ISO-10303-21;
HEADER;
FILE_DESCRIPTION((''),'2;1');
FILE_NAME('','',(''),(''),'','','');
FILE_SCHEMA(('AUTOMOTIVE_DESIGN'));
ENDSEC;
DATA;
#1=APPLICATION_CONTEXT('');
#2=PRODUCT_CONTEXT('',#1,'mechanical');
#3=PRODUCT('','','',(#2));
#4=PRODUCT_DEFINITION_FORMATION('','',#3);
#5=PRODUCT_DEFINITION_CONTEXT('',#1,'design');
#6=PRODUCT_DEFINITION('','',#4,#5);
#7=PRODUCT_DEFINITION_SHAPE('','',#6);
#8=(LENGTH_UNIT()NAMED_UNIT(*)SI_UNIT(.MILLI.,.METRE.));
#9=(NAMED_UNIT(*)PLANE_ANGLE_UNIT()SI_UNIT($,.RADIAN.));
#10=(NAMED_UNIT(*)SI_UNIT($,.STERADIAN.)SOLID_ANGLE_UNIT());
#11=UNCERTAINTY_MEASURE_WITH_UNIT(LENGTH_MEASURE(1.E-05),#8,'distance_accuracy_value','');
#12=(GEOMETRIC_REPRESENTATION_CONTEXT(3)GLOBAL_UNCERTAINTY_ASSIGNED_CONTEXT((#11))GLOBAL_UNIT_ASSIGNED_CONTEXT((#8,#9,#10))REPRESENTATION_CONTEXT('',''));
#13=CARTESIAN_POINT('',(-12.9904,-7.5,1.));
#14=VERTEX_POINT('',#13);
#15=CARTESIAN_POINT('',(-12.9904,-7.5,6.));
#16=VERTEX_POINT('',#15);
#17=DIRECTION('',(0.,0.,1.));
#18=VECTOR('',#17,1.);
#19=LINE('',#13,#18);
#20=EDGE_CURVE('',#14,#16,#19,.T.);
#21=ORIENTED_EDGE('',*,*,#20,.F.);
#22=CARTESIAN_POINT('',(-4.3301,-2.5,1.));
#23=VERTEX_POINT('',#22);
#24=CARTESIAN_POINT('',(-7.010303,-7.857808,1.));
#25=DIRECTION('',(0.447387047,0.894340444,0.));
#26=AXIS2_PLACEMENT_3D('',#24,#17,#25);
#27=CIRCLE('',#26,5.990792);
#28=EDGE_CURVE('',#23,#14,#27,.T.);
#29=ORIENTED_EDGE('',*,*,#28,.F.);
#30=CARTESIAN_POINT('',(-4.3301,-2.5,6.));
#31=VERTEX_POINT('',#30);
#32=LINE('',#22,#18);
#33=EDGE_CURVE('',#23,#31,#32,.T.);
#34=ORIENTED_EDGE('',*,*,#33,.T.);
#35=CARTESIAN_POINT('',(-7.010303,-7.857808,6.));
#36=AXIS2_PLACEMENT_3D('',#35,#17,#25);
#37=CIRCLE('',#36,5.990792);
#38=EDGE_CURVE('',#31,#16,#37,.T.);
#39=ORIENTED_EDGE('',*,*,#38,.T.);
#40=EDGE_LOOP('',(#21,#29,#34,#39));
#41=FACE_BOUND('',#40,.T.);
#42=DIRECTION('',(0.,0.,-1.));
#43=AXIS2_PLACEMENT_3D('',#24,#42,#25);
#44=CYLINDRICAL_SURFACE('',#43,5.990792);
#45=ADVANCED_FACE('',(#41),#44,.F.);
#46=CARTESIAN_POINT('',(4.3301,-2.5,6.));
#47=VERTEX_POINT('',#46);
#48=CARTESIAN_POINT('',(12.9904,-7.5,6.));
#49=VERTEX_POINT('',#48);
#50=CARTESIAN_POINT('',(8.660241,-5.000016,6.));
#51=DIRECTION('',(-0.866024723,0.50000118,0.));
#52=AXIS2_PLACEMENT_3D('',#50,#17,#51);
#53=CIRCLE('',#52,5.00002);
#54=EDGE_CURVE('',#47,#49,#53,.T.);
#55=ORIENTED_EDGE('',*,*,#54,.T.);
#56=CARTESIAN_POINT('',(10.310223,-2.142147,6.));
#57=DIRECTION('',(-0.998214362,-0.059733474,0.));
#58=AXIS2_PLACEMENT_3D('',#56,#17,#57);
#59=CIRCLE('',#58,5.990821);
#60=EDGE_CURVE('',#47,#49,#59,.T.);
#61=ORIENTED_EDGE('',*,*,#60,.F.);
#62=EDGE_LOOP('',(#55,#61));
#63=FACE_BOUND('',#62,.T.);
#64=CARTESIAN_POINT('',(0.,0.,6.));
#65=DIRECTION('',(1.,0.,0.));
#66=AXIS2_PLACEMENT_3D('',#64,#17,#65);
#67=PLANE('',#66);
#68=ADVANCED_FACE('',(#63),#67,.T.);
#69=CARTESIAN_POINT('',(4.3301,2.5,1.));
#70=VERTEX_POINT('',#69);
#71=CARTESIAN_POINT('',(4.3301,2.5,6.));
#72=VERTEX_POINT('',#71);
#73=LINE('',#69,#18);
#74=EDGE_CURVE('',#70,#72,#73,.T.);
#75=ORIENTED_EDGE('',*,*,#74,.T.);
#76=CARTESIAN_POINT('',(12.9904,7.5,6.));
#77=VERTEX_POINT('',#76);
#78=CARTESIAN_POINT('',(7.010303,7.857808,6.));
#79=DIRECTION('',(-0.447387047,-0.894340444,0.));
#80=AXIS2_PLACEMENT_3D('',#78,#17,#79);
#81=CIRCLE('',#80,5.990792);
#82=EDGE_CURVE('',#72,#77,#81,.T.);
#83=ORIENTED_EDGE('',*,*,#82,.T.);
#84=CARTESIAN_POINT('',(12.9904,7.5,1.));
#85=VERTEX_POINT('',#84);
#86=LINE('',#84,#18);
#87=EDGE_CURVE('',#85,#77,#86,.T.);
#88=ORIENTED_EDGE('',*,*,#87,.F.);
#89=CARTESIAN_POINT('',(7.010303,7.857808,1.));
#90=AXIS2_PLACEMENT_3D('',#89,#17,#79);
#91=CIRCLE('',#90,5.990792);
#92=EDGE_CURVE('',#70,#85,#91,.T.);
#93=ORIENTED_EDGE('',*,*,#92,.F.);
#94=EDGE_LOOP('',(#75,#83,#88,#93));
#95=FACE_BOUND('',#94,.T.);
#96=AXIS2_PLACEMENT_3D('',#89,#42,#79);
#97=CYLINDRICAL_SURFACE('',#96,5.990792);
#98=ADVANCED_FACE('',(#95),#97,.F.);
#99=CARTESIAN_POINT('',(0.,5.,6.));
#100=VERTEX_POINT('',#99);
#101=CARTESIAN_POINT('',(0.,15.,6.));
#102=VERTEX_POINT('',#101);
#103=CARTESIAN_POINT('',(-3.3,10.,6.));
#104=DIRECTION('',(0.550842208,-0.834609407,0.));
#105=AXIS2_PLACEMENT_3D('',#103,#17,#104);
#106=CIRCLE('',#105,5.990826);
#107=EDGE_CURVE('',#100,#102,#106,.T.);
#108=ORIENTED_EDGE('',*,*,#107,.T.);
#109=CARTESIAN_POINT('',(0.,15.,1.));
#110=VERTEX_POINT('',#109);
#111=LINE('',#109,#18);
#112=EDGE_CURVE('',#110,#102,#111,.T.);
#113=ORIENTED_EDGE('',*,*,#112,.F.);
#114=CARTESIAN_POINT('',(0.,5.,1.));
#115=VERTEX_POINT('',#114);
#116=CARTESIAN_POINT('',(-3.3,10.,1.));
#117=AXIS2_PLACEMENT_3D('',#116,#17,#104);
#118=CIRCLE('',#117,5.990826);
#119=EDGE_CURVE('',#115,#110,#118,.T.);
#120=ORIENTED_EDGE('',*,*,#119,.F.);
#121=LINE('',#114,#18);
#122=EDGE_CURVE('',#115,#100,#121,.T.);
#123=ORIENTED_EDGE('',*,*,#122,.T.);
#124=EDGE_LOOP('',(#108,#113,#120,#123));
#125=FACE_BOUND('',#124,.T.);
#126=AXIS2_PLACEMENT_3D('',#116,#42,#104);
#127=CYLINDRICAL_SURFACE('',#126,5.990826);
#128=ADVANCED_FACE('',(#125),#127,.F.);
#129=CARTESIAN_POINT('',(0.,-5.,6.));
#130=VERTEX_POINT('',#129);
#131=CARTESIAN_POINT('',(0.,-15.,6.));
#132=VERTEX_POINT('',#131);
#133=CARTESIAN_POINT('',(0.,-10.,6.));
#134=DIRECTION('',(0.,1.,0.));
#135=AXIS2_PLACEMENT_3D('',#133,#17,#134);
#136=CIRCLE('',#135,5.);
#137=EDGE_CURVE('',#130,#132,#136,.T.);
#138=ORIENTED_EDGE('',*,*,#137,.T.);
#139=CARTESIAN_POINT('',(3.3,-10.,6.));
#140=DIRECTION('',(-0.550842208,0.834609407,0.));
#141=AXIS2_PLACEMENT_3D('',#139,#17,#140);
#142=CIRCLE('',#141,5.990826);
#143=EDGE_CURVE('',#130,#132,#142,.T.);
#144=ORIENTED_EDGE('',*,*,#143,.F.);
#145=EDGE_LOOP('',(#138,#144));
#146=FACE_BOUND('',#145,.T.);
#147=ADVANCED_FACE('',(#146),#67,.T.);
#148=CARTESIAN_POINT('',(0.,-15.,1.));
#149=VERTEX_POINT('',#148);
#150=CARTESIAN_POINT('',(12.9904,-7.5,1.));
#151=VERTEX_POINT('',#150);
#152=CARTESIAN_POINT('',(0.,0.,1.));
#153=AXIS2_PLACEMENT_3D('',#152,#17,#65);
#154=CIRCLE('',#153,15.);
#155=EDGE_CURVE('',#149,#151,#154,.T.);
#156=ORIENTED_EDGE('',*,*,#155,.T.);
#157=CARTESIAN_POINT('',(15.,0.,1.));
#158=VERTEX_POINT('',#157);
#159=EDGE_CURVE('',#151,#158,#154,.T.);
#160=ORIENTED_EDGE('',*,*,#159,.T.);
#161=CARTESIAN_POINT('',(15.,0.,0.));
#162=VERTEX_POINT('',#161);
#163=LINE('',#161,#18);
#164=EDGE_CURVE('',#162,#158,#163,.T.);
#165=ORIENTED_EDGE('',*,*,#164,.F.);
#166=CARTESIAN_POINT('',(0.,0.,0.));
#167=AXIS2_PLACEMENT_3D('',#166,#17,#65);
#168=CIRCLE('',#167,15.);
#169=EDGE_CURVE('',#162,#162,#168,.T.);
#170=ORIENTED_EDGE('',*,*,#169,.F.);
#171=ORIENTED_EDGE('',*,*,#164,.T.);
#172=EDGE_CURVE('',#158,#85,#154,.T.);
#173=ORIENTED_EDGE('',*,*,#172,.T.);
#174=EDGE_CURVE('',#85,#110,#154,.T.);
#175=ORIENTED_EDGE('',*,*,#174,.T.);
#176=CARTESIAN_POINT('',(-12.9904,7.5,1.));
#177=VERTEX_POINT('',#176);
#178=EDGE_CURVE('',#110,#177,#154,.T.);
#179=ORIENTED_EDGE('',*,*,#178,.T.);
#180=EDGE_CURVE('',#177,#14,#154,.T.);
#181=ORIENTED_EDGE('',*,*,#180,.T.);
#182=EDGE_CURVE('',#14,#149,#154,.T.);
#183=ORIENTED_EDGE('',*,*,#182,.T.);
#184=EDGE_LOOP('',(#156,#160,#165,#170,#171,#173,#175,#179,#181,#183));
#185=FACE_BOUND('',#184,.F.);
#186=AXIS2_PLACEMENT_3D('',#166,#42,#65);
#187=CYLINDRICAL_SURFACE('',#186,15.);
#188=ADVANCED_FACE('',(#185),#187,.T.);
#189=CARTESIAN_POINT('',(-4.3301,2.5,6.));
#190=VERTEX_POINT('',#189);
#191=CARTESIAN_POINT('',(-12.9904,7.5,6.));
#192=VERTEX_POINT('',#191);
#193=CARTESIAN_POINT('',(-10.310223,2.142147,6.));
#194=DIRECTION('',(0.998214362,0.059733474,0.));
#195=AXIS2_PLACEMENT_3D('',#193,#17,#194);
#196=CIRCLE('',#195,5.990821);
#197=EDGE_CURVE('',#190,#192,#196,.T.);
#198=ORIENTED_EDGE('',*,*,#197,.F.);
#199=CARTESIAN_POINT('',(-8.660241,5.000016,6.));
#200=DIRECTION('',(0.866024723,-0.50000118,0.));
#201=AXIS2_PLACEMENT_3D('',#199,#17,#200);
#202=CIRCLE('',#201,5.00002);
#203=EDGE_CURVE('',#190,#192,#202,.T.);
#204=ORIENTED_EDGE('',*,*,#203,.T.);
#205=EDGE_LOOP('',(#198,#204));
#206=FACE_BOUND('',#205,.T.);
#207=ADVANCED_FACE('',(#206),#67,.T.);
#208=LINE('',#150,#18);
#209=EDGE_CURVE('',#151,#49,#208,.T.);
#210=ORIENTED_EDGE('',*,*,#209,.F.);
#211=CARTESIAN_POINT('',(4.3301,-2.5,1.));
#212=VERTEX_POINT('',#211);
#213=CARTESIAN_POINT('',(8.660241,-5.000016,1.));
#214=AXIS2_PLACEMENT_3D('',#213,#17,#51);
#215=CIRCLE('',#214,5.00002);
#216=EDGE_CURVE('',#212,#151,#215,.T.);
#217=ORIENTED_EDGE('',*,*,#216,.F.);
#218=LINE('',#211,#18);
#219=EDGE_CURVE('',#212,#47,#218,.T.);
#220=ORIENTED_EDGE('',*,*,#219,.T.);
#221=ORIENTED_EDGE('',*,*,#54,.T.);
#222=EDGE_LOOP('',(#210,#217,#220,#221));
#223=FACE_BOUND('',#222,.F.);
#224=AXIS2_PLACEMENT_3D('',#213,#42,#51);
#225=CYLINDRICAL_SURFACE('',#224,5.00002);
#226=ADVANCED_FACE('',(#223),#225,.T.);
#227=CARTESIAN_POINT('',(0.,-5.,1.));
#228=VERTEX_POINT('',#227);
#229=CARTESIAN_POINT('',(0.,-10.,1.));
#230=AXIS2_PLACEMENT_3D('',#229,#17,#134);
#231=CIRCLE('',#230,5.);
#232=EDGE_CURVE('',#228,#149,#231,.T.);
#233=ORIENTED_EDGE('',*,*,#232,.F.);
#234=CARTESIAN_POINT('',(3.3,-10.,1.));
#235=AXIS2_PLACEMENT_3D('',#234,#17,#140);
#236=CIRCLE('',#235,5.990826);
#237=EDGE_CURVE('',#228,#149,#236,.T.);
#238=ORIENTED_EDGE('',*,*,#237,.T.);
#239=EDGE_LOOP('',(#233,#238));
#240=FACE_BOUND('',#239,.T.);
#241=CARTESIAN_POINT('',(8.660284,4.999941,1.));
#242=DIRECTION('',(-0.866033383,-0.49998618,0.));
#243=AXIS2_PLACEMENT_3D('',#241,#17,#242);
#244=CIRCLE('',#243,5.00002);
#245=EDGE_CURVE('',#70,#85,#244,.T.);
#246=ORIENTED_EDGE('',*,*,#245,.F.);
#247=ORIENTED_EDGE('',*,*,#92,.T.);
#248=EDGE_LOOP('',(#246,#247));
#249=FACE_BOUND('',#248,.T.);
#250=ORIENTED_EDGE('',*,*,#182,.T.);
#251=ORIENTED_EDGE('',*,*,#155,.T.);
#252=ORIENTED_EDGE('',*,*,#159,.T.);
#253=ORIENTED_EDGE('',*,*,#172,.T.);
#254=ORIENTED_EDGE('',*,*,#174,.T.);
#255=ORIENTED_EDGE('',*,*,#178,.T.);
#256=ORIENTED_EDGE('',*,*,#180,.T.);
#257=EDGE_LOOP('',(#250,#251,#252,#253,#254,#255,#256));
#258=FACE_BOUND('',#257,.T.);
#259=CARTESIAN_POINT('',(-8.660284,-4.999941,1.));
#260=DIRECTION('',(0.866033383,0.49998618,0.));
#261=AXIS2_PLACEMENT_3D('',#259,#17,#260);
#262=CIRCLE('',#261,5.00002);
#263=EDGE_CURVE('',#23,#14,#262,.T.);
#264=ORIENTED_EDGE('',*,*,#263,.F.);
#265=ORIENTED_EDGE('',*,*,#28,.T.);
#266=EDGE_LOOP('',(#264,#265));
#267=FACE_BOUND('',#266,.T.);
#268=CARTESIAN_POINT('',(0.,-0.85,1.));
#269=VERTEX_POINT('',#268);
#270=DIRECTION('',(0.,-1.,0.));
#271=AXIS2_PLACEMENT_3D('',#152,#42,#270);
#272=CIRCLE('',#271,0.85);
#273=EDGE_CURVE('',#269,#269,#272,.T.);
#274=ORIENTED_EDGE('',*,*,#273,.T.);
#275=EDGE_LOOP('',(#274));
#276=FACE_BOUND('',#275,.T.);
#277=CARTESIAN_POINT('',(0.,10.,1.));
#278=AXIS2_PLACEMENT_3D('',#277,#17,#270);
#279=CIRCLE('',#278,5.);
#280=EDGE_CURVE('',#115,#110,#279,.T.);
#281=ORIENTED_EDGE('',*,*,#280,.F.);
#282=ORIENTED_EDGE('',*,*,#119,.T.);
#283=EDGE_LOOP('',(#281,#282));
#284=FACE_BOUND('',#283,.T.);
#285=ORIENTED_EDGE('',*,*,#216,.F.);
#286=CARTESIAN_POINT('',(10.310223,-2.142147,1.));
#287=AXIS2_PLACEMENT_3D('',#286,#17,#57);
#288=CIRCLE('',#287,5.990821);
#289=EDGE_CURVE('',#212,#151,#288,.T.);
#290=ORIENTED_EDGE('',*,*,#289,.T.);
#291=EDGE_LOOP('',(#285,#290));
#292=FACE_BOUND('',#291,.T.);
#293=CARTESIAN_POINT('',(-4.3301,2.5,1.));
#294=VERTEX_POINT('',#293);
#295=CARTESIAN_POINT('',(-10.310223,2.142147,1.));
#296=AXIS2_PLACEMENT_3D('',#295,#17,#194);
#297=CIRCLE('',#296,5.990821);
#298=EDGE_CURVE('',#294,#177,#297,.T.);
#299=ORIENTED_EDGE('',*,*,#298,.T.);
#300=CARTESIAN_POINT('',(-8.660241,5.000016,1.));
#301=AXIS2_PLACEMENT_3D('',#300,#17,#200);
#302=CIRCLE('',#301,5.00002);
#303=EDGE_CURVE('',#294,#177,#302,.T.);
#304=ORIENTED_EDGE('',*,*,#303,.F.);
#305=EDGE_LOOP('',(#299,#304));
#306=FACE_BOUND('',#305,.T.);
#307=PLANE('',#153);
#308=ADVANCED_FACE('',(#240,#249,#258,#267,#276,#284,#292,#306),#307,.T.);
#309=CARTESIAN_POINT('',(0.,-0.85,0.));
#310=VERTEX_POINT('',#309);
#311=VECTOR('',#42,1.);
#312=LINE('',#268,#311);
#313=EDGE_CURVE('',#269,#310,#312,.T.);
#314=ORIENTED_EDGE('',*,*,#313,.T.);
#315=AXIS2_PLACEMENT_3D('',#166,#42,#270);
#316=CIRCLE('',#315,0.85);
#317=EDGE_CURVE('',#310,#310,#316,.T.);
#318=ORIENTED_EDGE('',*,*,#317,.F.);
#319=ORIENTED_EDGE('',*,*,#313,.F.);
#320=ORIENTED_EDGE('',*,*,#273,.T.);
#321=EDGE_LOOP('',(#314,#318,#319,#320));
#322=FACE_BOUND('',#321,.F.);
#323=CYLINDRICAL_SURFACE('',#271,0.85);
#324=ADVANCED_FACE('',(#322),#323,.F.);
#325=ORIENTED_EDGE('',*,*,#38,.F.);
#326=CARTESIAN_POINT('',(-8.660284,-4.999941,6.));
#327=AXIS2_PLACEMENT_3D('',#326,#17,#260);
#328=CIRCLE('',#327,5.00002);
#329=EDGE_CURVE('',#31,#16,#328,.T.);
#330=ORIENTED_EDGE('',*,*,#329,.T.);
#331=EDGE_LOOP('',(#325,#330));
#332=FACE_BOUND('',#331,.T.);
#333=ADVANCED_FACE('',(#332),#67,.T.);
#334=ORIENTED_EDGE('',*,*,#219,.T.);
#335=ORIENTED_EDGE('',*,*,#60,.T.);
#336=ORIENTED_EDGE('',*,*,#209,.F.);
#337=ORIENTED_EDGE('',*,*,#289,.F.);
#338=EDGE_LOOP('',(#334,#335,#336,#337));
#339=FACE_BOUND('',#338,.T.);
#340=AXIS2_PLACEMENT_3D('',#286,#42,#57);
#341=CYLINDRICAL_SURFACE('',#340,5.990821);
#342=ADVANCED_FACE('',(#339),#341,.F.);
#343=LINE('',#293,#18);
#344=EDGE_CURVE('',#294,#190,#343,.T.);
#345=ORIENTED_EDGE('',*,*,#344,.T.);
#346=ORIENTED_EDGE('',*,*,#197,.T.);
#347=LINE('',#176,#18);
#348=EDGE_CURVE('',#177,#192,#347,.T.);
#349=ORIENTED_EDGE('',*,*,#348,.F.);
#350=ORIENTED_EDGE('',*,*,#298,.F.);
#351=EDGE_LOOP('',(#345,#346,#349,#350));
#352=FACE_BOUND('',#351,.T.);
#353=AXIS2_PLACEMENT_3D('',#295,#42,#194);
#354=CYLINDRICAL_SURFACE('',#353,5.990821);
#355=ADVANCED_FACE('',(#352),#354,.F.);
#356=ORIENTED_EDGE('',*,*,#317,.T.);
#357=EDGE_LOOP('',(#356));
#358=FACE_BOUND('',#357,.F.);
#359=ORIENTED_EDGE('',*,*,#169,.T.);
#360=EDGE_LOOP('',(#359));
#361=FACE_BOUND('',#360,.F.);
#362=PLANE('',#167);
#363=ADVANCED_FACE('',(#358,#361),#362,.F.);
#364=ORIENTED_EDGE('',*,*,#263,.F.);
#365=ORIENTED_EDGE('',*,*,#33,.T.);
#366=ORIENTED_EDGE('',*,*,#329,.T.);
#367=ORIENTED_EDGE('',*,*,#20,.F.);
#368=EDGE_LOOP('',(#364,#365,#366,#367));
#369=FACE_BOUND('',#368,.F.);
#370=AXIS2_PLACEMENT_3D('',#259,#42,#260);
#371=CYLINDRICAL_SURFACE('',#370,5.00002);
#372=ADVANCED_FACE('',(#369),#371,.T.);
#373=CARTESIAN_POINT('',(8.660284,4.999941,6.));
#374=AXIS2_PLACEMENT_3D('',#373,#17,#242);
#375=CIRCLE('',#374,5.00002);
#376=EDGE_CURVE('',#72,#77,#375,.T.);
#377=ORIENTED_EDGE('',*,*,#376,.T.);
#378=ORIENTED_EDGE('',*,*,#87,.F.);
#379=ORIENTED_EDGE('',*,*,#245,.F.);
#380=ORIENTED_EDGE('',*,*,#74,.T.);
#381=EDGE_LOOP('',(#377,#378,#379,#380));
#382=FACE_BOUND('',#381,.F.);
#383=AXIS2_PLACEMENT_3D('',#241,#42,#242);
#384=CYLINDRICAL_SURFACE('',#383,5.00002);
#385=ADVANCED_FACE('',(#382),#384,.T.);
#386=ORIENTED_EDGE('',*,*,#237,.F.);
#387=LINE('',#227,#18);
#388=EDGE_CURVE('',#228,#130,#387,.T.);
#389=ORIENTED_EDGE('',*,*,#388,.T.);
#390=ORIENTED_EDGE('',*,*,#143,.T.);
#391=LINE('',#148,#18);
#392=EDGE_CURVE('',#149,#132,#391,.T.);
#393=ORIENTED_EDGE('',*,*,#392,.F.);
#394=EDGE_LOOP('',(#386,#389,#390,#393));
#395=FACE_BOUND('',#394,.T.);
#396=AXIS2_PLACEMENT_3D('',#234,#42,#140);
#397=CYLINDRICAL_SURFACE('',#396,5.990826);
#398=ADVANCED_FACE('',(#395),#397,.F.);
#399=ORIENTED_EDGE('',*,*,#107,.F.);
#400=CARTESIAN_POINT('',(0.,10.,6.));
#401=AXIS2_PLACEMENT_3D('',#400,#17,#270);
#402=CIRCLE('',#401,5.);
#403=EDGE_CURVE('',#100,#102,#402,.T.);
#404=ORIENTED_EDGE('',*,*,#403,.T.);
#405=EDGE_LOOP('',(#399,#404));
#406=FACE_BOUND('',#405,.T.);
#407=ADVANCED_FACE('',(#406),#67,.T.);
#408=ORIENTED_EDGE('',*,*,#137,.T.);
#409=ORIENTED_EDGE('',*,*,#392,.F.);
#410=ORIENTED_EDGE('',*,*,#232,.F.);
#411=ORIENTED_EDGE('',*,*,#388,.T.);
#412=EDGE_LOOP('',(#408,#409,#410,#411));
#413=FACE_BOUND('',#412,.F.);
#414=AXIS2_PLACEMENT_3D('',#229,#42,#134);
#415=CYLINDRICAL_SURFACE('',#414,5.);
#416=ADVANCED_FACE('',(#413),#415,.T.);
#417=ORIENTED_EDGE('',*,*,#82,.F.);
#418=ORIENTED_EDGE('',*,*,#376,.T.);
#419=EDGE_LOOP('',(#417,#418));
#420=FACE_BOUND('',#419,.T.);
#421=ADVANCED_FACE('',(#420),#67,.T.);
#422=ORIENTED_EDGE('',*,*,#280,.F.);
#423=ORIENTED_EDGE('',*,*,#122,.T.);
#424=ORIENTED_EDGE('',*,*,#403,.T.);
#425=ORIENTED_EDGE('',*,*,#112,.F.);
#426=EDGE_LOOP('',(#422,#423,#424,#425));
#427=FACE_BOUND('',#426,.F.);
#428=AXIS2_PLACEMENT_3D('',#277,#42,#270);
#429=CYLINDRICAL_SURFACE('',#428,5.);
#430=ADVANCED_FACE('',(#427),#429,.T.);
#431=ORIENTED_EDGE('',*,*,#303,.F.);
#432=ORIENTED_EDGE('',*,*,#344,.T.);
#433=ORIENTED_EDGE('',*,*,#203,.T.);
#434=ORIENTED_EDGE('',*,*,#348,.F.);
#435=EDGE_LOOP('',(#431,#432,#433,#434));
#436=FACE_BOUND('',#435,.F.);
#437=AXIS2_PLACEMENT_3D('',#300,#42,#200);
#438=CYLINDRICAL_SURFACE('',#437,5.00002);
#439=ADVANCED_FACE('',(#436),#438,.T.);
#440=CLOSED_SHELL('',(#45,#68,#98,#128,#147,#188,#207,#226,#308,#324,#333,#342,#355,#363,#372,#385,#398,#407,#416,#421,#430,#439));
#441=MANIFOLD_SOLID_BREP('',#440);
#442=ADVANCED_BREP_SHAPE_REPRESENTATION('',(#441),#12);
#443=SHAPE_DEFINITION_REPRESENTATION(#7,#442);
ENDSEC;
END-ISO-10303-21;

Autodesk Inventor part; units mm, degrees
ref_plane "YZ Plane" through (0, 0, 0) normal (1, 0, 0) x (0, 1, 0)
ref_plane "XZ Plane" through (0, 0, 0) normal (0, 1, 0) x (-1, 0, 0)
ref_plane "XY Plane" through (0, 0, 0) normal (0, 0, 1) x (1, 0, 0)
sketch "スケッチ1" plane through (0, 0, 0) normal (0, 0, 1) x (1, 0, 0)
  circle A0 centre (0, 0) radius 15
  dimension "d0" = 30
extrude "押し出し1" add sketch "スケッチ1" along normal blind 1
sketch "スケッチ2" plane through (0, 0, 1) normal (0, 0, 1) x (1, 0, 0)
  circle A0 centre (0, 0) radius 5
  circle A1 centre (0, 0) radius 15 projected
  arc A2 (0, 5) -> (0, 15) centre (0, 10) ccw
  arc A3 (0, 5) -> (0, 15) centre (-3.3, 10) ccw
  arc A4 (-4.3301, 2.5) -> (-12.9904, 7.5) centre (-8.6603, 5) ccw
  arc A5 (-4.3301, 2.5) -> (-12.9904, 7.5) centre (-10.3103, 2.1421) ccw
  arc A6 (-4.3301, -2.5) -> (-12.9904, -7.5) centre (-8.6603, -5) ccw
  arc A7 (-4.3301, -2.5) -> (-12.9904, -7.5) centre (-7.0103, -7.8579) ccw
  arc A8 (0, -5) -> (0, -15) centre (0, -10) ccw
  arc A9 (0, -5) -> (0, -15) centre (3.3, -10) ccw
  arc A10 (4.3301, -2.5) -> (12.9904, -7.5) centre (8.6603, -5) ccw
  arc A11 (4.3301, -2.5) -> (12.9904, -7.5) centre (10.3103, -2.1421) ccw
  arc A12 (4.3301, 2.5) -> (12.9904, 7.5) centre (8.6603, 5) ccw
  arc A13 (4.3301, 2.5) -> (12.9904, 7.5) centre (7.0103, 7.8579) ccw
  dimension "d3" = 10
  dimension "d4" = 3.3
  dimension "d7" = 360
extrude "押し出し2" add sketch "スケッチ2" along normal blind 5 contours A13 A12 | A11 A10 | A3 A2 | A9 A8 | A5 A4 | A7 A6
sketch "スケッチ3" plane through (0, 0, 1) normal (0, 0, 1) x (1, 0, 0)
  point P0 (0, 0)
  point P1 (0, 0)
hole "穴1" at (0, 0, 1) direction (0, 0, -1) diameter 1.7 depth 8.8 tip angle 118
properties part number "20220606_ファン"
